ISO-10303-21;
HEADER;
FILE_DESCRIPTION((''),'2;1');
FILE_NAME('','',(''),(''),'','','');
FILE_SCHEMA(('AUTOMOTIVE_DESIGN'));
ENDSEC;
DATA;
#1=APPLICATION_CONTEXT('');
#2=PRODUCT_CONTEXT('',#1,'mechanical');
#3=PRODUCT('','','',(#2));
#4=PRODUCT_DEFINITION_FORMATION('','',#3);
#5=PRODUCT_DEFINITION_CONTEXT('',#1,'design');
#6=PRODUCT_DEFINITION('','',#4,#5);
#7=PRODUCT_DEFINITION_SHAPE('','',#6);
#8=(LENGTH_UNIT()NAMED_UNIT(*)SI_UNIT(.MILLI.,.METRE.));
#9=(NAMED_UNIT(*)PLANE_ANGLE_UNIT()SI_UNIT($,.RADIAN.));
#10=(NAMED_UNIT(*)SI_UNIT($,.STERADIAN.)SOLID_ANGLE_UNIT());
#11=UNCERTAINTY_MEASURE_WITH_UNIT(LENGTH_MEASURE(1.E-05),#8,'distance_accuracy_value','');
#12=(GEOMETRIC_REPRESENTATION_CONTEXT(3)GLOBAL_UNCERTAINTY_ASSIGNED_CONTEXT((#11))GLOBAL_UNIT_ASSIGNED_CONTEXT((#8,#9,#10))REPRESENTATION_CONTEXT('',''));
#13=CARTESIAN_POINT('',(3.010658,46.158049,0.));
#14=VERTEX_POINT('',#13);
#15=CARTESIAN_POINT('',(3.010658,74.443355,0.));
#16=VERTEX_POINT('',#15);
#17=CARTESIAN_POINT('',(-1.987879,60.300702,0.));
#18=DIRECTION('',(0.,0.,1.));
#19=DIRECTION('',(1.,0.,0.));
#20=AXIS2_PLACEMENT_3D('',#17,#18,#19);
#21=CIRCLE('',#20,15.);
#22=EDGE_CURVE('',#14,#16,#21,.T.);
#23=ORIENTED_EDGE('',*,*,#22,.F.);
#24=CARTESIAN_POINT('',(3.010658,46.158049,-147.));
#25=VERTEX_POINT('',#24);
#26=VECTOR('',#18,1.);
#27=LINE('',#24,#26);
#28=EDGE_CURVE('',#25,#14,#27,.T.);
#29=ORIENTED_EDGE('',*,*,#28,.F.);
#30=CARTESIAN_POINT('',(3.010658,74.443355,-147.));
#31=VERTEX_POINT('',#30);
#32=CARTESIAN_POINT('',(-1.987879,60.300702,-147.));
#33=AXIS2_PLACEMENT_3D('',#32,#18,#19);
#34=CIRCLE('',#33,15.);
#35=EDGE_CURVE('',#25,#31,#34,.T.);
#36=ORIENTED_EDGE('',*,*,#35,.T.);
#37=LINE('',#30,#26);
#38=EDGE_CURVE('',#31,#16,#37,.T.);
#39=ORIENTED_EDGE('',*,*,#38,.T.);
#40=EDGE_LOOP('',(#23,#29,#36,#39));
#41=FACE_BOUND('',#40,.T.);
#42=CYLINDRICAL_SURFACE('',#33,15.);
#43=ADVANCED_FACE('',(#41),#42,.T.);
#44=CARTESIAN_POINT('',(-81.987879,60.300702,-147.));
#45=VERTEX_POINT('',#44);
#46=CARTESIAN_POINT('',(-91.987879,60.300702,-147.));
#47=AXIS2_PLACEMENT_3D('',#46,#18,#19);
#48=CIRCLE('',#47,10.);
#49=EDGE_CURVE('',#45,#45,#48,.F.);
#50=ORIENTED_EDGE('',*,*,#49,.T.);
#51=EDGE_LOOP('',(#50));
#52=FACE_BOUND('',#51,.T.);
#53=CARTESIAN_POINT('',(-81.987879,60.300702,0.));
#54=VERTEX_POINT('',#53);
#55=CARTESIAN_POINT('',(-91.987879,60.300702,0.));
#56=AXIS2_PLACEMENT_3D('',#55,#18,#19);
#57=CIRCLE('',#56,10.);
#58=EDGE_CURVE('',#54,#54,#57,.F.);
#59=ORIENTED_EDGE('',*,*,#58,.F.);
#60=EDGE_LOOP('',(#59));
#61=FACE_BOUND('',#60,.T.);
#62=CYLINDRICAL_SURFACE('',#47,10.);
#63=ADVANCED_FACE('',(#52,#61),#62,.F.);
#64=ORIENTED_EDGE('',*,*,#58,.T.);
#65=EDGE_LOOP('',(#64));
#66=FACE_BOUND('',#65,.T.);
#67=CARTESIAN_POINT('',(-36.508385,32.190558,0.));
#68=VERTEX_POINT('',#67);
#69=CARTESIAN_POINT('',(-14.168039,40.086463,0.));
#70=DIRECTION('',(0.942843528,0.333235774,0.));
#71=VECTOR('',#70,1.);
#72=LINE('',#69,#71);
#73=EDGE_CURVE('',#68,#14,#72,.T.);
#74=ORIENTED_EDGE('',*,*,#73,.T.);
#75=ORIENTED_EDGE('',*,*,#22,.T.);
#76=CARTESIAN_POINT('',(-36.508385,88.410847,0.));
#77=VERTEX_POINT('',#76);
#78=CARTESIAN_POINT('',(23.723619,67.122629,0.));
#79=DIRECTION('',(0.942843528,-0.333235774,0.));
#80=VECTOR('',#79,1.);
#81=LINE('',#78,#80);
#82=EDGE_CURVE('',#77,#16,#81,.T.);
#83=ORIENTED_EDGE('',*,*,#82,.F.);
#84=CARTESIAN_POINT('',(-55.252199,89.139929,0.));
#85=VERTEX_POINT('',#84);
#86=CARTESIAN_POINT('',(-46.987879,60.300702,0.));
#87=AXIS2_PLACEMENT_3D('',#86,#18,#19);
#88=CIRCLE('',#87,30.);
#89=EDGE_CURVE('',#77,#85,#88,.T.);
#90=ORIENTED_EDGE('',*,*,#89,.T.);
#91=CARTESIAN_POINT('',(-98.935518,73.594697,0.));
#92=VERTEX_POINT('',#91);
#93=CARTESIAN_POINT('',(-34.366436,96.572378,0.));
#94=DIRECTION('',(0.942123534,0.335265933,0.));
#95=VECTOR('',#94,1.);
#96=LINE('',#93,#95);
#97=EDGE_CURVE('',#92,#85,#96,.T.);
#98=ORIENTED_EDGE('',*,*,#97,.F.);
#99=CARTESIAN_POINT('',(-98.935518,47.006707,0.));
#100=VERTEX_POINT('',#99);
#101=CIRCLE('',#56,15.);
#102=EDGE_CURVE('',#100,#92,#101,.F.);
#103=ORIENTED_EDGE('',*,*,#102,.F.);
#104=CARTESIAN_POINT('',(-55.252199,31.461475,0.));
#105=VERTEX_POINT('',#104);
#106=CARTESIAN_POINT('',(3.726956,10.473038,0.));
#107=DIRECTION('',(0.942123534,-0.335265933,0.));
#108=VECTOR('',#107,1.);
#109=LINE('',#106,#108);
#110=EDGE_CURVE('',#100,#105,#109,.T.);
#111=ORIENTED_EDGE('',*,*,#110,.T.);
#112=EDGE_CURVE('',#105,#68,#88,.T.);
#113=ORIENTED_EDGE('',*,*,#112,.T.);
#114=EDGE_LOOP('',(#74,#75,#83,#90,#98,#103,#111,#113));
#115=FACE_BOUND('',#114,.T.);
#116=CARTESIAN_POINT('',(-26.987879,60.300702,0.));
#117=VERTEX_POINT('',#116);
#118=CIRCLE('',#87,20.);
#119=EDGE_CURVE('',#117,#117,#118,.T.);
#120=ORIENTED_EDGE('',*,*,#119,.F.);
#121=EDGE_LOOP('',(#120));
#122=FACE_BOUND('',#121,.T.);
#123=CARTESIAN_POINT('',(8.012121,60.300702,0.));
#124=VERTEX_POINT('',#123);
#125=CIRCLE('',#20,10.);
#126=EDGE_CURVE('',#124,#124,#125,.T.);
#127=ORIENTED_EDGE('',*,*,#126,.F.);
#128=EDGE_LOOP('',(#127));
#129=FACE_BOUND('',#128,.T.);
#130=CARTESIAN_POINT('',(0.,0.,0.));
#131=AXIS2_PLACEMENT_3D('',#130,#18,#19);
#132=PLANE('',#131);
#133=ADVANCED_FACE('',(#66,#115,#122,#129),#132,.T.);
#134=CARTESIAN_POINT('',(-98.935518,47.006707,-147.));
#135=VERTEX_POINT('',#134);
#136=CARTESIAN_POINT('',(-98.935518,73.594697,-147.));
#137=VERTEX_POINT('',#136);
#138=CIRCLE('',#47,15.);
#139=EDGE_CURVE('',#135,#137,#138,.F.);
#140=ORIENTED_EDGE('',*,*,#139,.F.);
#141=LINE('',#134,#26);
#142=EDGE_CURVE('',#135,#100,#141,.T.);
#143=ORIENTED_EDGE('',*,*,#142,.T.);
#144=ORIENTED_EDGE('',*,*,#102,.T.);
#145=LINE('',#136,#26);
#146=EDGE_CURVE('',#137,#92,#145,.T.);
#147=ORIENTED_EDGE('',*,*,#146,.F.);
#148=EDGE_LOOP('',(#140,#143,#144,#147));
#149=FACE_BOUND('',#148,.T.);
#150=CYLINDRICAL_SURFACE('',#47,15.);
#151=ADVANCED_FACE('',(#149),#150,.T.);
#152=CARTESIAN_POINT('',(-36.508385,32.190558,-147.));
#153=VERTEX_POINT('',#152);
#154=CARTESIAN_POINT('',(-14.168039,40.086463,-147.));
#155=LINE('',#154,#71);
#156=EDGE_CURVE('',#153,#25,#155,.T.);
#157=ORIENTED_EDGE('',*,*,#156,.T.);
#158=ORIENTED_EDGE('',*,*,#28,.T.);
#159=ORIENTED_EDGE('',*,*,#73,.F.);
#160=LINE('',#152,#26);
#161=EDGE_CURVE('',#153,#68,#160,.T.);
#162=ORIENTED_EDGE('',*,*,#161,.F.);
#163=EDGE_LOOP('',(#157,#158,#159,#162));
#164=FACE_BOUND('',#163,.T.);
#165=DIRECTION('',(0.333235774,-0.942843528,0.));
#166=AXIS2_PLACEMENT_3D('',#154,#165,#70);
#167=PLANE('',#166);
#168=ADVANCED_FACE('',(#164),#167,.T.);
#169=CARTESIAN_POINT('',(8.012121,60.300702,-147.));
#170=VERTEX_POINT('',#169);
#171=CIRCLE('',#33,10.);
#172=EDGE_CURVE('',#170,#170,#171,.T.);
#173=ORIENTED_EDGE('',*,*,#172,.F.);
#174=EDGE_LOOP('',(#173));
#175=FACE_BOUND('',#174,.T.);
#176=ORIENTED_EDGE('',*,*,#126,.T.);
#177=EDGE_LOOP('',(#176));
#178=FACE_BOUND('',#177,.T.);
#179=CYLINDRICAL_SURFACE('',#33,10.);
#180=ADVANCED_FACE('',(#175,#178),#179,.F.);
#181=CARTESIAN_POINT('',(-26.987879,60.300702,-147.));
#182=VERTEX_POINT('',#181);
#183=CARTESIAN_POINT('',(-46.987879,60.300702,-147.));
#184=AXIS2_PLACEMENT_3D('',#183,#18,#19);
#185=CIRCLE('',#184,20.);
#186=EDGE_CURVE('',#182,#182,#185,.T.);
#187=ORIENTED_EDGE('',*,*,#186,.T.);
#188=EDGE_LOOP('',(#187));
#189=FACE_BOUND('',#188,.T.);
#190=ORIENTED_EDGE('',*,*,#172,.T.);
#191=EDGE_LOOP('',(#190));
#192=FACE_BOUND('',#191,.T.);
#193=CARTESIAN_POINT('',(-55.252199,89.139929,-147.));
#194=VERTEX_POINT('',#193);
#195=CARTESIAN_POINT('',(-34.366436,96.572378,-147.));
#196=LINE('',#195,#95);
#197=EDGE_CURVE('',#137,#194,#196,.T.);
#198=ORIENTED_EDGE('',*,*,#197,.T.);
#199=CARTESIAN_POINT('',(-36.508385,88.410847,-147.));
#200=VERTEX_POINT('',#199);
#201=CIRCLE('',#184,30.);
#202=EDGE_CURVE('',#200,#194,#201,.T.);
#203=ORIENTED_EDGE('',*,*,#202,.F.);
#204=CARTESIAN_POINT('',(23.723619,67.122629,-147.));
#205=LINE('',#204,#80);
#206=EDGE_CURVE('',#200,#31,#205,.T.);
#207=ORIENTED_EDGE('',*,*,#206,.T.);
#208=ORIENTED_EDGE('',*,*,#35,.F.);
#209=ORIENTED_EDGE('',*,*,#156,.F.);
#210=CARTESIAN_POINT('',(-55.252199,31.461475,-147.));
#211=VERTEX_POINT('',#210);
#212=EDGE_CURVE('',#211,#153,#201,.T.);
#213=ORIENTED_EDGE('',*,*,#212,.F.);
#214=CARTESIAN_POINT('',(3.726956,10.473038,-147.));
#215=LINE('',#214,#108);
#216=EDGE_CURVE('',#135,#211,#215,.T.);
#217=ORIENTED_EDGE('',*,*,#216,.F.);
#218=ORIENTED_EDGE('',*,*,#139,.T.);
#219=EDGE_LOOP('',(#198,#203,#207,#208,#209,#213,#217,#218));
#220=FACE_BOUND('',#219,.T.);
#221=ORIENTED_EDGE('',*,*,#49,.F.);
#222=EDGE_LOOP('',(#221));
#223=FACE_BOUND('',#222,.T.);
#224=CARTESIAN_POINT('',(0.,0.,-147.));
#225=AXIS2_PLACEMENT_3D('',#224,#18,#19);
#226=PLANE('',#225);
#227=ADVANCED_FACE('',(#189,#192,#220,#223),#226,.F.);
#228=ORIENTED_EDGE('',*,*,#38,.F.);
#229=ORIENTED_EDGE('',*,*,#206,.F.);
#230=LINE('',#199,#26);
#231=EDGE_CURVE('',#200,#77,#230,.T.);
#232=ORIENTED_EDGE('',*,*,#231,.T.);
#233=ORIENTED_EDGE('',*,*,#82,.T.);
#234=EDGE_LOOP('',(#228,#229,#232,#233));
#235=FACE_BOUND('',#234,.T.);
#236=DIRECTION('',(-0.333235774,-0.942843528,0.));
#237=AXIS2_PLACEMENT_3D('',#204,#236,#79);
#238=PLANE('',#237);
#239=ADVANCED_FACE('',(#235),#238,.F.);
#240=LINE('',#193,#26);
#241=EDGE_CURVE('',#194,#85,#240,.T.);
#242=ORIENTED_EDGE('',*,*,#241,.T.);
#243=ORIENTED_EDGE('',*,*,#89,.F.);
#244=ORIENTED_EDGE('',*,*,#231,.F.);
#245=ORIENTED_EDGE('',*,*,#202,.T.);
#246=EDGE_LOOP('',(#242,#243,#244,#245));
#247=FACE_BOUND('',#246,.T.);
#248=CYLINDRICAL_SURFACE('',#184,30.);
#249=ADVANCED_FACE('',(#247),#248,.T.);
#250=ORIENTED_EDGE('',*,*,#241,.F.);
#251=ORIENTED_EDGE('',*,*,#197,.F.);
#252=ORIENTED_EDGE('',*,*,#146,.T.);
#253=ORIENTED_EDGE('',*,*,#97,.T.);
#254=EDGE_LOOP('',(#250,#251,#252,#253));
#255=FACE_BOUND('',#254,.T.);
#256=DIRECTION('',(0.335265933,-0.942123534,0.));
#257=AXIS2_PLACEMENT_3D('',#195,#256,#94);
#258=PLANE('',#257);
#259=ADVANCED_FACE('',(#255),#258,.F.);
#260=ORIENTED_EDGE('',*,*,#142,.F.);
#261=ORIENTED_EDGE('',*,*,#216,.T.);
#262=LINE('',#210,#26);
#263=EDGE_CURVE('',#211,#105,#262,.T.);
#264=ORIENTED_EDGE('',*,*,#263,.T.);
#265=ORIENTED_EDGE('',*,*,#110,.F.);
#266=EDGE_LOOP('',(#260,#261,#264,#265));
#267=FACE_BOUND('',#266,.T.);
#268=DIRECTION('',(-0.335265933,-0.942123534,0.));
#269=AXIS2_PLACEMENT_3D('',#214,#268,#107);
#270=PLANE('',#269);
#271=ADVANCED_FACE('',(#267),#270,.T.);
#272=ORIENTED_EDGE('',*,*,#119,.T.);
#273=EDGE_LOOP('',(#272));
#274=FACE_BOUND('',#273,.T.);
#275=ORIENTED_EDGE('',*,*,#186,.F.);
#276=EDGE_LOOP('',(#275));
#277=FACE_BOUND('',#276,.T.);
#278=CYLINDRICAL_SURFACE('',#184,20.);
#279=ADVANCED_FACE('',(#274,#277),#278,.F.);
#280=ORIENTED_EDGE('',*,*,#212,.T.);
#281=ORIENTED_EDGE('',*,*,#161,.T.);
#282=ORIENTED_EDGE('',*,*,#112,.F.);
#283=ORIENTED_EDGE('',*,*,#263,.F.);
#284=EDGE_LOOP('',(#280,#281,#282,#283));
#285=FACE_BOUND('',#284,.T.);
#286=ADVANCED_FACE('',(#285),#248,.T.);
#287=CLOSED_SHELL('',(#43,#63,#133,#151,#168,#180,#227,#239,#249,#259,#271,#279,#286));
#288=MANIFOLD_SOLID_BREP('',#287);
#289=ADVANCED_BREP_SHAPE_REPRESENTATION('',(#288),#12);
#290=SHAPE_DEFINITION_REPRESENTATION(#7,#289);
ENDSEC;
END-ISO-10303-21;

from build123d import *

# Parameters (mm, degrees)
SKETCH5_R           = 10
SKETCH5_R_2         = 20
BOSS_EXTRUDE1_DEPTH = 147


with BuildPart() as part:
    # Sketch5 → Boss-Extrude1 (new body)
    with BuildSketch(Plane.XY):
        with BuildLine():
            Line((-95.000247062, 74.995110708), (-98.935518445, 73.594697295))
            ThreePointArc((-98.935518445, 73.594697295), (-106.987878642, 60.300702366), (-98.935518445, 47.006707437))
            Line((-98.935518445, 47.006707437), (-95.000247062, 45.606294025))
            Line((-95.000247062, 45.606294025), (-58.799859117, 32.723952789))
            Line((-58.799859117, 32.723952789), (-55.25219854, 31.46147532))
            ThreePointArc((-55.25219854, 31.46147532), (-45.821842976, 30.323371584), (-36.508384931, 32.190558084))
            Line((-36.508384931, 32.190558084), (3.010657963, 46.15804944))
            ThreePointArc((3.010657963, 46.15804944), (13.012121358, 60.300702366), (3.010657963, 74.443355293))
            Line((3.010657963, 74.443355293), (-36.508384931, 88.410846649))
            ThreePointArc((-36.508384931, 88.410846649), (-45.821842976, 90.278033149), (-55.25219854, 89.139929413))
            Line((-55.25219854, 89.139929413), (-58.799859117, 87.877451944))
            Line((-58.799859117, 87.877451944), (-95.000247062, 74.995110708))
        make_face()
        with Locations((-91.987878642, 60.300702366)):
            Circle(SKETCH5_R, mode=Mode.SUBTRACT)
        with Locations((-46.987878642, 60.300702366)):
            Circle(SKETCH5_R_2, mode=Mode.SUBTRACT)
        with Locations((-1.987878642, 60.300702366)):
            Circle(SKETCH5_R, mode=Mode.SUBTRACT)
    extrude(amount=-BOSS_EXTRUDE1_DEPTH)


solid = part.part
